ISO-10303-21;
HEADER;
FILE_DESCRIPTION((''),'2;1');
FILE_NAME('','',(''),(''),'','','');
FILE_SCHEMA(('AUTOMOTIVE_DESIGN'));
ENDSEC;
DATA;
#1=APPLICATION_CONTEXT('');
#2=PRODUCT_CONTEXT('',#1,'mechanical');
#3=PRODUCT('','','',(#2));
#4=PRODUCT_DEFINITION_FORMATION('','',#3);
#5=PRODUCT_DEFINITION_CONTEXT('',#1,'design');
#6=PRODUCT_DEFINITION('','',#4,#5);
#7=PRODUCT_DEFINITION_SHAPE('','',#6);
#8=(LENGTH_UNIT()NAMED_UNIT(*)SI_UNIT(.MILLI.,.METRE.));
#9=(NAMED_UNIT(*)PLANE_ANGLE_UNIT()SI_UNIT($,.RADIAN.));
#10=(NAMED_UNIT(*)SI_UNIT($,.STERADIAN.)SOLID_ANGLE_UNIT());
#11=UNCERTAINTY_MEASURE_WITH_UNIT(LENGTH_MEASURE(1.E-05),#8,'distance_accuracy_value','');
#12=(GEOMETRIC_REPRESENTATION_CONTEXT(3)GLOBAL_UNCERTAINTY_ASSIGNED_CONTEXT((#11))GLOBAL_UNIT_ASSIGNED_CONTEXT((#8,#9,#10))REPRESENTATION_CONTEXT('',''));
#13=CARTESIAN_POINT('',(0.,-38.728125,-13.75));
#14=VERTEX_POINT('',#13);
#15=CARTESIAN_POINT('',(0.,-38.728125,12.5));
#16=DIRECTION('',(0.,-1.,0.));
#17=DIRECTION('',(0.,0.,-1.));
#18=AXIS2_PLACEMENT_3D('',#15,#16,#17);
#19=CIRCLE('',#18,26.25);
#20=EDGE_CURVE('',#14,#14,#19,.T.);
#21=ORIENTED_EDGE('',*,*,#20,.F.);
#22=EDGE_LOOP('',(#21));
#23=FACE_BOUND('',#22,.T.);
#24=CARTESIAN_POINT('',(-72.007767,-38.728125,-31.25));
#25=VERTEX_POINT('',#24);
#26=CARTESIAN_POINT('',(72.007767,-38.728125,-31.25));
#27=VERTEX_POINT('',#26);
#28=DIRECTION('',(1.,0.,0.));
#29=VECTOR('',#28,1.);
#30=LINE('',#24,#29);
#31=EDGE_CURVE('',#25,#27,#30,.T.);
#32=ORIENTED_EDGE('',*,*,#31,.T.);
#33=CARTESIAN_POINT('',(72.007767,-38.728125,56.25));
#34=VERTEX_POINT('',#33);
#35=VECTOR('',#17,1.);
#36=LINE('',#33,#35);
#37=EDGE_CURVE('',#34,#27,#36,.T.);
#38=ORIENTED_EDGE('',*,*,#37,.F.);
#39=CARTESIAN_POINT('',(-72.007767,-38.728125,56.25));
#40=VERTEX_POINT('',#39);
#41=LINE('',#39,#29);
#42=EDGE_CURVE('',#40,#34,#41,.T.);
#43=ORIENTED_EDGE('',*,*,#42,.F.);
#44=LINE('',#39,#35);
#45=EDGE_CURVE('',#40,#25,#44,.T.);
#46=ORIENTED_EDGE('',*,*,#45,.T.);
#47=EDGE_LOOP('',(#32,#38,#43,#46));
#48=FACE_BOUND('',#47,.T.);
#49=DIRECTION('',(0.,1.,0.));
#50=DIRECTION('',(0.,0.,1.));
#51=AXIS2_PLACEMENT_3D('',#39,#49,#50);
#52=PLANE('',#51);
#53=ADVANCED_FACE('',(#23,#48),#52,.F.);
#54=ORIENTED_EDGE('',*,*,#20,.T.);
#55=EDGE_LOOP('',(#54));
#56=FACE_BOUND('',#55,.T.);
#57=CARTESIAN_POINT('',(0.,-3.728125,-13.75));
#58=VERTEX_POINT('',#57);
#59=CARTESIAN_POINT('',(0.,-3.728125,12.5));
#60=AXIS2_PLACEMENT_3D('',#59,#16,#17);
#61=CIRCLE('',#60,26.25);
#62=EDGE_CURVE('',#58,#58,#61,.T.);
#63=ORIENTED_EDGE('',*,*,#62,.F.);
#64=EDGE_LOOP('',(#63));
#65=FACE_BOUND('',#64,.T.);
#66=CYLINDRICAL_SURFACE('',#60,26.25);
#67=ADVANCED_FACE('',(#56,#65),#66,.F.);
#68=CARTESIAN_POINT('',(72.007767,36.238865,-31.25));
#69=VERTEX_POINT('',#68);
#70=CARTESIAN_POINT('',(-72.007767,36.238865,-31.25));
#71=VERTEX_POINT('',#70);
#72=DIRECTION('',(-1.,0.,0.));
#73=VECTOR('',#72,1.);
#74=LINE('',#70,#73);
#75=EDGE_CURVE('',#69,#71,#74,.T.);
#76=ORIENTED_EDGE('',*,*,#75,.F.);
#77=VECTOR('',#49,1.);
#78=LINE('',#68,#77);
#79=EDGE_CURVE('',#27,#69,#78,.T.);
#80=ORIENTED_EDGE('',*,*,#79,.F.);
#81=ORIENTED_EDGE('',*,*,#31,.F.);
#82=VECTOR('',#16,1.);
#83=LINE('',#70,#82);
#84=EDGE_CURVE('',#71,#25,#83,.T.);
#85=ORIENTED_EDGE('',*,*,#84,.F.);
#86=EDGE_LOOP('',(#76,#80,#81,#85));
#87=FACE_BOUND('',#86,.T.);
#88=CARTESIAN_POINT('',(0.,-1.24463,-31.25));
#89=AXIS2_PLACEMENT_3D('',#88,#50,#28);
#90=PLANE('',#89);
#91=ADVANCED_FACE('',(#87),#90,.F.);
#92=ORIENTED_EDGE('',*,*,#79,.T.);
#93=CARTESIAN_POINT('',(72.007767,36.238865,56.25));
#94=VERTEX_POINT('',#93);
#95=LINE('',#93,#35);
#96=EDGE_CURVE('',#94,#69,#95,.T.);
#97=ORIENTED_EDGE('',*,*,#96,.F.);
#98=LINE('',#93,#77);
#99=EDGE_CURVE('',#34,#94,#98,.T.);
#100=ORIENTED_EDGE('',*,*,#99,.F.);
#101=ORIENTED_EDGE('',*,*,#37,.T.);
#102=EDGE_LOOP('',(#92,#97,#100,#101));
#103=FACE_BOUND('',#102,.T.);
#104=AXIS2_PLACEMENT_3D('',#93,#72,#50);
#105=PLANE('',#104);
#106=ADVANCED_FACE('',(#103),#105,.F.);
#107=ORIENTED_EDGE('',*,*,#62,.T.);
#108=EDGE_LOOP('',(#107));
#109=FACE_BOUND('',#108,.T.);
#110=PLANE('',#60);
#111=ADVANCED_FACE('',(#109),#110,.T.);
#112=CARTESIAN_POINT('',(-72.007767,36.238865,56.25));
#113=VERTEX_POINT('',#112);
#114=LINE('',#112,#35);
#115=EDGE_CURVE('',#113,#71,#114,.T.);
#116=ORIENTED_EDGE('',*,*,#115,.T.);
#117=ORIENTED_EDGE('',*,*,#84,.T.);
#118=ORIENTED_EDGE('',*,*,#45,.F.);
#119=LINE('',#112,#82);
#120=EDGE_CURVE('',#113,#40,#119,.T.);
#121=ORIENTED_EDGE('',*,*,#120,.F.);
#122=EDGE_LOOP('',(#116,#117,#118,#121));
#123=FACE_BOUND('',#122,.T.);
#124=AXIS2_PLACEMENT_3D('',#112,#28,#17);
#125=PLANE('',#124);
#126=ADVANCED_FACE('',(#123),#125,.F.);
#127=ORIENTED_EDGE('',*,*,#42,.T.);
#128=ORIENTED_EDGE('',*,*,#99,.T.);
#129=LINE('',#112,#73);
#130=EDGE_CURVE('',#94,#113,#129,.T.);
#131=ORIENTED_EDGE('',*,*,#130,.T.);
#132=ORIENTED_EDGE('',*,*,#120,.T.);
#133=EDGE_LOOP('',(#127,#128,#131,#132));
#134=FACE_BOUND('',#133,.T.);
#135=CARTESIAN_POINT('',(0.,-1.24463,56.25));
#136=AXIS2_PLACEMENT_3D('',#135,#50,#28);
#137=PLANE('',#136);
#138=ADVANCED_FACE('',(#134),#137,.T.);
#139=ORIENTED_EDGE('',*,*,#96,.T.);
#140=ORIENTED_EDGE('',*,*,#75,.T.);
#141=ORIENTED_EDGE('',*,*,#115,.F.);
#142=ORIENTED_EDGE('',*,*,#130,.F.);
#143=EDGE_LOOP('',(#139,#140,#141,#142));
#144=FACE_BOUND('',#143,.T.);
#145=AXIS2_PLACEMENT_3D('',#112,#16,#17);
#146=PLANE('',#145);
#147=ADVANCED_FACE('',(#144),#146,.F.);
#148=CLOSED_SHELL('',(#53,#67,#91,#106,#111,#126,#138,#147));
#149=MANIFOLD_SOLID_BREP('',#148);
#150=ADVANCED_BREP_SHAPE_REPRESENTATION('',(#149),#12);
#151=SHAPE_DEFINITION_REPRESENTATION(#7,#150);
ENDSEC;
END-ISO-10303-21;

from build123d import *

# Parameters (mm, degrees)
SKETCH1_W           = 41.147295424
SKETCH1_H           = 21.419140084
BOSS_EXTRUDE1_DEPTH = 25
SKETCH2_R           = 7.5
CUT_EXTRUDE1_DEPTH  = 10
SCALE1_SCALE        = 3.5


with BuildPart() as part:
    # Sketch1 → Boss-Extrude1 (new body)
    with BuildSketch(Plane.XY):
        Rectangle(SKETCH1_W, SKETCH1_H)
    extrude(amount=BOSS_EXTRUDE1_DEPTH)

    # Sketch2 → Cut-Extrude1 (cut)
    with BuildSketch(Plane.XZ.offset(10.709570042)):
        with Locations(Location((0, 12.5, 0), (0, 0, 270))):
            Circle(SKETCH2_R)
    extrude(amount=-CUT_EXTRUDE1_DEPTH, mode=Mode.SUBTRACT)


with BuildPart() as part_1:
    # Scale1: scaled about (0, 0.497852103, 12.5)
    add(part.part.scale(SCALE1_SCALE).moved(Location((0, -1.244630257, -31.25))))


solid = part_1.part
